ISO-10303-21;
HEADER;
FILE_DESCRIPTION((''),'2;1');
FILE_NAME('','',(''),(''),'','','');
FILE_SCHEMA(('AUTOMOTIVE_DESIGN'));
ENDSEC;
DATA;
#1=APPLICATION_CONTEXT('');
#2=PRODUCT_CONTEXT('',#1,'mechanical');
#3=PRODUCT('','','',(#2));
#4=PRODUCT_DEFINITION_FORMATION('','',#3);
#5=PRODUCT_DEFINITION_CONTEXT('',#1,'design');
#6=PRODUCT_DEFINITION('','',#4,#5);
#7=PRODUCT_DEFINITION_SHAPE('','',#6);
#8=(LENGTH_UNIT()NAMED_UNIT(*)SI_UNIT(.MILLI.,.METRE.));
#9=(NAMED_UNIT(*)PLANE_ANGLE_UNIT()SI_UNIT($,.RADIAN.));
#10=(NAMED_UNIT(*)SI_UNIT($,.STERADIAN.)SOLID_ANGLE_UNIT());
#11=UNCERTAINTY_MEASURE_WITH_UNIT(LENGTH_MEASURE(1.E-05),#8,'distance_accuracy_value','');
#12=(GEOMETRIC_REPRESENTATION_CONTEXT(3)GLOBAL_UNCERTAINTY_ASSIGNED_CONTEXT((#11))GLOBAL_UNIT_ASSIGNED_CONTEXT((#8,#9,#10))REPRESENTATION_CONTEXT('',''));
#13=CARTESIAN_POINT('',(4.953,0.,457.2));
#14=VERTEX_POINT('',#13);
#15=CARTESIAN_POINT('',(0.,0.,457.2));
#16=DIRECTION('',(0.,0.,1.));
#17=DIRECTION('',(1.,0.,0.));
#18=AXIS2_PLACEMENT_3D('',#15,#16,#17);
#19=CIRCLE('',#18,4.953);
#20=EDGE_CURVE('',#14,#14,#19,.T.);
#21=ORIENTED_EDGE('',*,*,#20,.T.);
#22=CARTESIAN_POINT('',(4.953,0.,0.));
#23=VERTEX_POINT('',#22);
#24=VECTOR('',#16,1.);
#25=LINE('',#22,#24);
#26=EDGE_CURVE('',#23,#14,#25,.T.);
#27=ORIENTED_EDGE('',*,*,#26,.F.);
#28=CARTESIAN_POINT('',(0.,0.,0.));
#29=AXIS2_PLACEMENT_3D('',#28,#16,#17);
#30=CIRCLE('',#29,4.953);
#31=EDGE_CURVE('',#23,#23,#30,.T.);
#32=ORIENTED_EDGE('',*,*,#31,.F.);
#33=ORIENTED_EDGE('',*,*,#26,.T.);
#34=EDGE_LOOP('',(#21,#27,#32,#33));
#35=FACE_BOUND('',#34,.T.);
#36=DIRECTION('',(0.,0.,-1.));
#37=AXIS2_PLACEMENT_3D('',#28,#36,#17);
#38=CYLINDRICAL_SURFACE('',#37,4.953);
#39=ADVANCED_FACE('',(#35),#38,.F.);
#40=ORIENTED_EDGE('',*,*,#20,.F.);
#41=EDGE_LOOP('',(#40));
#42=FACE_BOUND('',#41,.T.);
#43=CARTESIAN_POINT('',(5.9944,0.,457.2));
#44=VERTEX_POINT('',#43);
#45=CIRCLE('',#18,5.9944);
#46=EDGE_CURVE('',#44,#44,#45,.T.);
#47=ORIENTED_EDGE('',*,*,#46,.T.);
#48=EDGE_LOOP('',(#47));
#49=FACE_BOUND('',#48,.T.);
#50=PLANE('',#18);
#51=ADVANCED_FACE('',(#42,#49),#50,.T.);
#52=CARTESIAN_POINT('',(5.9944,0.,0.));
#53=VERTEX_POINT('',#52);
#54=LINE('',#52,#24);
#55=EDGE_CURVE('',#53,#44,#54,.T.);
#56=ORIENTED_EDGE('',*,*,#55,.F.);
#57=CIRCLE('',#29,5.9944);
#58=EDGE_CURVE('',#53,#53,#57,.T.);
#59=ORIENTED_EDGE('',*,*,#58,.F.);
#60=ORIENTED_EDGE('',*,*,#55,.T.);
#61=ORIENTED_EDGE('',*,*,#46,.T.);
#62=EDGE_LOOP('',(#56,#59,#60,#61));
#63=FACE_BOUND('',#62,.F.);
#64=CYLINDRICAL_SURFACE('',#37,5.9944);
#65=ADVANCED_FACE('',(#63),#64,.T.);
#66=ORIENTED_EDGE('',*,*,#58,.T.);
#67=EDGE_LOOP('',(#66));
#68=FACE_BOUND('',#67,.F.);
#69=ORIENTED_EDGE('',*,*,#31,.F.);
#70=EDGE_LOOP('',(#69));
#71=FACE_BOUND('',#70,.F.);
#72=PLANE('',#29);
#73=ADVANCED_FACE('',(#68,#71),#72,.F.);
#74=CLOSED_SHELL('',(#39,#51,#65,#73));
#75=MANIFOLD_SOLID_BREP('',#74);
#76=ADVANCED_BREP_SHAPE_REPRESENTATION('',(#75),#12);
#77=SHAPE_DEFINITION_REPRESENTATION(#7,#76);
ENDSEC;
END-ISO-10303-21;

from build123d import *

# Parameters (mm, degrees)
SKETCH1_R           = 5.9944
SKETCH1_R_2         = 4.953
BOSS_EXTRUDE1_DEPTH = 457.2


with BuildPart() as part:
    # Sketch1 → Boss-Extrude1 (new body)
    with BuildSketch(Plane.XY):
        Circle(SKETCH1_R)
        Circle(SKETCH1_R_2, mode=Mode.SUBTRACT)
    extrude(amount=BOSS_EXTRUDE1_DEPTH)


solid = part.part
